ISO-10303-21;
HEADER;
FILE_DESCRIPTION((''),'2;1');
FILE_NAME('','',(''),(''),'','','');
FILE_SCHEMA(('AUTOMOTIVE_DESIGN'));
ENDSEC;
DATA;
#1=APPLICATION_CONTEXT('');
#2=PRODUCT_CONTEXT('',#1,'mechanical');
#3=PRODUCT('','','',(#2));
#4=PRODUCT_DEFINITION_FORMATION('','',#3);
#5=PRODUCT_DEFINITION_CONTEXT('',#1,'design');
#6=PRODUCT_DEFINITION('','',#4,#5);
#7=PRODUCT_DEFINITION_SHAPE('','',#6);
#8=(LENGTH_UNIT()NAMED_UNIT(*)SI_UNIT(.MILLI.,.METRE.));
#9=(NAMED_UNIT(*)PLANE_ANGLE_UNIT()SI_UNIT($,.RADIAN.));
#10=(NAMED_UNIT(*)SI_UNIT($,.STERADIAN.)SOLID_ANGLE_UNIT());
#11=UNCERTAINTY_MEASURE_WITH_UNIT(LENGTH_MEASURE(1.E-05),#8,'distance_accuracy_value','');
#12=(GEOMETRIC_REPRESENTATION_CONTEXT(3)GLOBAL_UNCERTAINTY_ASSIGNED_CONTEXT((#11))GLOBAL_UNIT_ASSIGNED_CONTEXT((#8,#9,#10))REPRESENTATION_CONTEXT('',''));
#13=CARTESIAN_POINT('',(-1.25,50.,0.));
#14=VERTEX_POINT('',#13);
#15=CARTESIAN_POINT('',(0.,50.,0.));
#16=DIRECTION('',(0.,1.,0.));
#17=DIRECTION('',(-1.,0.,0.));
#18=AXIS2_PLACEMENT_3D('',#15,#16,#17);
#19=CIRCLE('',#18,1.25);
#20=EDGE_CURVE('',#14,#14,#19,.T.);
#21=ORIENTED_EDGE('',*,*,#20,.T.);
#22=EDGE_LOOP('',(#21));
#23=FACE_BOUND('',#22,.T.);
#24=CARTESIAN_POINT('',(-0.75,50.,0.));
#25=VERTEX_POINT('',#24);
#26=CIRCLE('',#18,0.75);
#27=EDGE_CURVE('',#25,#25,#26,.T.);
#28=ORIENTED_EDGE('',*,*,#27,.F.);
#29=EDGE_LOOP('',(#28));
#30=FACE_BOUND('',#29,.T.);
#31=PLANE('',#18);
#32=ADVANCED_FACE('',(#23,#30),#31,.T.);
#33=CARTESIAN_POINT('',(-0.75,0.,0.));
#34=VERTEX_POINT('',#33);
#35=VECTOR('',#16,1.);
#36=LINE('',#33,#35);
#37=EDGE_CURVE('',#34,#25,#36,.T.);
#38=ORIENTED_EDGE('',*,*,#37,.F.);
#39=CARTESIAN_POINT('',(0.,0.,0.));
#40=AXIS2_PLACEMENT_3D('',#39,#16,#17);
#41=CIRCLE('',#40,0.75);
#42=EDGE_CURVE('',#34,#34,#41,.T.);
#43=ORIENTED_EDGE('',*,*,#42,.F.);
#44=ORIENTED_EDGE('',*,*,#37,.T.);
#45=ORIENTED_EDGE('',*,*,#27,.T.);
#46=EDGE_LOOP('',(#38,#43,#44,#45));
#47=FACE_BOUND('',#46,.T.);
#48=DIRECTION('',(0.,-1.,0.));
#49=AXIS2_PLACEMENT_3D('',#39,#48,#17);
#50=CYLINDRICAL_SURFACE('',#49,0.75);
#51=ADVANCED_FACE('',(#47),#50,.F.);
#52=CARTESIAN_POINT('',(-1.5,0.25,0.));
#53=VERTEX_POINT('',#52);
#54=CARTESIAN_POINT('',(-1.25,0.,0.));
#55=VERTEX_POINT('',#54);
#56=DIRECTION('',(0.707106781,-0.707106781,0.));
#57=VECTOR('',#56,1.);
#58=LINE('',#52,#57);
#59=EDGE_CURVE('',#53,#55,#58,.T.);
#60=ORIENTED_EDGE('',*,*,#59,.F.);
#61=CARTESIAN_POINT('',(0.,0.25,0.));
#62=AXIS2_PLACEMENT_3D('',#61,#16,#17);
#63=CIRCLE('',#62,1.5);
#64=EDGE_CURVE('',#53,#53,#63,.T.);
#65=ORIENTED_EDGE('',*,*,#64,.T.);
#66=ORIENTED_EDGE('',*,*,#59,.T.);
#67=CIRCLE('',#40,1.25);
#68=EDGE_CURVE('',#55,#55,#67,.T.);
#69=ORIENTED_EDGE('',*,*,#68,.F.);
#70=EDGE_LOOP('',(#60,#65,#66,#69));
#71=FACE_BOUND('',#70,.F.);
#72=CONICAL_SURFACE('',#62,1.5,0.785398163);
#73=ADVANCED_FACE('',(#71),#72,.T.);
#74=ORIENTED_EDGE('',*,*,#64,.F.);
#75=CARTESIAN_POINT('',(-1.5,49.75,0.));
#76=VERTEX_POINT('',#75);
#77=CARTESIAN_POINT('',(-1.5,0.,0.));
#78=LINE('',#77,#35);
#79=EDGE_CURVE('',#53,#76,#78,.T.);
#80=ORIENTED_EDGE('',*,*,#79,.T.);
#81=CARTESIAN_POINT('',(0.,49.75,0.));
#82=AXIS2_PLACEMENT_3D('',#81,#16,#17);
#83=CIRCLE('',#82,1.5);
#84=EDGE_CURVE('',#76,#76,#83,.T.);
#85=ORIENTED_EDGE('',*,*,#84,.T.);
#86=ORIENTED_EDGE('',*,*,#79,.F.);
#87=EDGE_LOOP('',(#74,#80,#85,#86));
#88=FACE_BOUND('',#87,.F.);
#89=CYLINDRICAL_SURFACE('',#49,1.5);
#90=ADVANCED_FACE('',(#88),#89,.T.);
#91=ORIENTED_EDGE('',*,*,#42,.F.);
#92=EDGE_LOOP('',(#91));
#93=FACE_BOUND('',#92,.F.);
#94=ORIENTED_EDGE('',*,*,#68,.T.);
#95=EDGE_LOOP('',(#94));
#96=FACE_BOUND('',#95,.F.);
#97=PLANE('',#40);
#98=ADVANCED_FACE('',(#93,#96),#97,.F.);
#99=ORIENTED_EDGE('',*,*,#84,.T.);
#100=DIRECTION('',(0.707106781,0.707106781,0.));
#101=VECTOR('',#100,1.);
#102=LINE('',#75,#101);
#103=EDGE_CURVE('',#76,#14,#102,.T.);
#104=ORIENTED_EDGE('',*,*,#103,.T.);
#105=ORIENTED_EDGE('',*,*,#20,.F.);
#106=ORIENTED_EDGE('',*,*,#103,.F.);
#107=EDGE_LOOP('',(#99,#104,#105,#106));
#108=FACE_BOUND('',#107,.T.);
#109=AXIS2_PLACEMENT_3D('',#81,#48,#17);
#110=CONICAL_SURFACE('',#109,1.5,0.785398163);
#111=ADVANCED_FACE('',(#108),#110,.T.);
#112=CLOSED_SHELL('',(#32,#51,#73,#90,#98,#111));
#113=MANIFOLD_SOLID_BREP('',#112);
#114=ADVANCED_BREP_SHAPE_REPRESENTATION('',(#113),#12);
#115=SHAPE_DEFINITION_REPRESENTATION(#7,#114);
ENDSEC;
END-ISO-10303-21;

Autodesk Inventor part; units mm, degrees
ref_plane "YZ Plane" through (0, 0, 0) normal (1, 0, 0) x (0, 1, 0)
ref_plane "XZ Plane" through (0, 0, 0) normal (0, 1, 0) x (-1, 0, 0)
ref_plane "XY Plane" through (0, 0, 0) normal (0, 0, 1) x (1, 0, 0)
sketch "Sketch1" plane through (0, 0, 0) normal (0, 1, 0) x (-1, 0, 0)
  circle A0 centre (0, 0) radius 1.5
  circle A1 centre (0, 0) radius 0.75
  dimension "d0" = 3
  dimension "d1" = 1.5
extrude "Extrusion1" add sketch "Sketch1" along normal blind 50
chamfer "Chamfer1" distance 0.25 angle 45 2 edges at (1.5, 50, 0) (1.5, 0, 0)
properties part number "pin_3_50"
